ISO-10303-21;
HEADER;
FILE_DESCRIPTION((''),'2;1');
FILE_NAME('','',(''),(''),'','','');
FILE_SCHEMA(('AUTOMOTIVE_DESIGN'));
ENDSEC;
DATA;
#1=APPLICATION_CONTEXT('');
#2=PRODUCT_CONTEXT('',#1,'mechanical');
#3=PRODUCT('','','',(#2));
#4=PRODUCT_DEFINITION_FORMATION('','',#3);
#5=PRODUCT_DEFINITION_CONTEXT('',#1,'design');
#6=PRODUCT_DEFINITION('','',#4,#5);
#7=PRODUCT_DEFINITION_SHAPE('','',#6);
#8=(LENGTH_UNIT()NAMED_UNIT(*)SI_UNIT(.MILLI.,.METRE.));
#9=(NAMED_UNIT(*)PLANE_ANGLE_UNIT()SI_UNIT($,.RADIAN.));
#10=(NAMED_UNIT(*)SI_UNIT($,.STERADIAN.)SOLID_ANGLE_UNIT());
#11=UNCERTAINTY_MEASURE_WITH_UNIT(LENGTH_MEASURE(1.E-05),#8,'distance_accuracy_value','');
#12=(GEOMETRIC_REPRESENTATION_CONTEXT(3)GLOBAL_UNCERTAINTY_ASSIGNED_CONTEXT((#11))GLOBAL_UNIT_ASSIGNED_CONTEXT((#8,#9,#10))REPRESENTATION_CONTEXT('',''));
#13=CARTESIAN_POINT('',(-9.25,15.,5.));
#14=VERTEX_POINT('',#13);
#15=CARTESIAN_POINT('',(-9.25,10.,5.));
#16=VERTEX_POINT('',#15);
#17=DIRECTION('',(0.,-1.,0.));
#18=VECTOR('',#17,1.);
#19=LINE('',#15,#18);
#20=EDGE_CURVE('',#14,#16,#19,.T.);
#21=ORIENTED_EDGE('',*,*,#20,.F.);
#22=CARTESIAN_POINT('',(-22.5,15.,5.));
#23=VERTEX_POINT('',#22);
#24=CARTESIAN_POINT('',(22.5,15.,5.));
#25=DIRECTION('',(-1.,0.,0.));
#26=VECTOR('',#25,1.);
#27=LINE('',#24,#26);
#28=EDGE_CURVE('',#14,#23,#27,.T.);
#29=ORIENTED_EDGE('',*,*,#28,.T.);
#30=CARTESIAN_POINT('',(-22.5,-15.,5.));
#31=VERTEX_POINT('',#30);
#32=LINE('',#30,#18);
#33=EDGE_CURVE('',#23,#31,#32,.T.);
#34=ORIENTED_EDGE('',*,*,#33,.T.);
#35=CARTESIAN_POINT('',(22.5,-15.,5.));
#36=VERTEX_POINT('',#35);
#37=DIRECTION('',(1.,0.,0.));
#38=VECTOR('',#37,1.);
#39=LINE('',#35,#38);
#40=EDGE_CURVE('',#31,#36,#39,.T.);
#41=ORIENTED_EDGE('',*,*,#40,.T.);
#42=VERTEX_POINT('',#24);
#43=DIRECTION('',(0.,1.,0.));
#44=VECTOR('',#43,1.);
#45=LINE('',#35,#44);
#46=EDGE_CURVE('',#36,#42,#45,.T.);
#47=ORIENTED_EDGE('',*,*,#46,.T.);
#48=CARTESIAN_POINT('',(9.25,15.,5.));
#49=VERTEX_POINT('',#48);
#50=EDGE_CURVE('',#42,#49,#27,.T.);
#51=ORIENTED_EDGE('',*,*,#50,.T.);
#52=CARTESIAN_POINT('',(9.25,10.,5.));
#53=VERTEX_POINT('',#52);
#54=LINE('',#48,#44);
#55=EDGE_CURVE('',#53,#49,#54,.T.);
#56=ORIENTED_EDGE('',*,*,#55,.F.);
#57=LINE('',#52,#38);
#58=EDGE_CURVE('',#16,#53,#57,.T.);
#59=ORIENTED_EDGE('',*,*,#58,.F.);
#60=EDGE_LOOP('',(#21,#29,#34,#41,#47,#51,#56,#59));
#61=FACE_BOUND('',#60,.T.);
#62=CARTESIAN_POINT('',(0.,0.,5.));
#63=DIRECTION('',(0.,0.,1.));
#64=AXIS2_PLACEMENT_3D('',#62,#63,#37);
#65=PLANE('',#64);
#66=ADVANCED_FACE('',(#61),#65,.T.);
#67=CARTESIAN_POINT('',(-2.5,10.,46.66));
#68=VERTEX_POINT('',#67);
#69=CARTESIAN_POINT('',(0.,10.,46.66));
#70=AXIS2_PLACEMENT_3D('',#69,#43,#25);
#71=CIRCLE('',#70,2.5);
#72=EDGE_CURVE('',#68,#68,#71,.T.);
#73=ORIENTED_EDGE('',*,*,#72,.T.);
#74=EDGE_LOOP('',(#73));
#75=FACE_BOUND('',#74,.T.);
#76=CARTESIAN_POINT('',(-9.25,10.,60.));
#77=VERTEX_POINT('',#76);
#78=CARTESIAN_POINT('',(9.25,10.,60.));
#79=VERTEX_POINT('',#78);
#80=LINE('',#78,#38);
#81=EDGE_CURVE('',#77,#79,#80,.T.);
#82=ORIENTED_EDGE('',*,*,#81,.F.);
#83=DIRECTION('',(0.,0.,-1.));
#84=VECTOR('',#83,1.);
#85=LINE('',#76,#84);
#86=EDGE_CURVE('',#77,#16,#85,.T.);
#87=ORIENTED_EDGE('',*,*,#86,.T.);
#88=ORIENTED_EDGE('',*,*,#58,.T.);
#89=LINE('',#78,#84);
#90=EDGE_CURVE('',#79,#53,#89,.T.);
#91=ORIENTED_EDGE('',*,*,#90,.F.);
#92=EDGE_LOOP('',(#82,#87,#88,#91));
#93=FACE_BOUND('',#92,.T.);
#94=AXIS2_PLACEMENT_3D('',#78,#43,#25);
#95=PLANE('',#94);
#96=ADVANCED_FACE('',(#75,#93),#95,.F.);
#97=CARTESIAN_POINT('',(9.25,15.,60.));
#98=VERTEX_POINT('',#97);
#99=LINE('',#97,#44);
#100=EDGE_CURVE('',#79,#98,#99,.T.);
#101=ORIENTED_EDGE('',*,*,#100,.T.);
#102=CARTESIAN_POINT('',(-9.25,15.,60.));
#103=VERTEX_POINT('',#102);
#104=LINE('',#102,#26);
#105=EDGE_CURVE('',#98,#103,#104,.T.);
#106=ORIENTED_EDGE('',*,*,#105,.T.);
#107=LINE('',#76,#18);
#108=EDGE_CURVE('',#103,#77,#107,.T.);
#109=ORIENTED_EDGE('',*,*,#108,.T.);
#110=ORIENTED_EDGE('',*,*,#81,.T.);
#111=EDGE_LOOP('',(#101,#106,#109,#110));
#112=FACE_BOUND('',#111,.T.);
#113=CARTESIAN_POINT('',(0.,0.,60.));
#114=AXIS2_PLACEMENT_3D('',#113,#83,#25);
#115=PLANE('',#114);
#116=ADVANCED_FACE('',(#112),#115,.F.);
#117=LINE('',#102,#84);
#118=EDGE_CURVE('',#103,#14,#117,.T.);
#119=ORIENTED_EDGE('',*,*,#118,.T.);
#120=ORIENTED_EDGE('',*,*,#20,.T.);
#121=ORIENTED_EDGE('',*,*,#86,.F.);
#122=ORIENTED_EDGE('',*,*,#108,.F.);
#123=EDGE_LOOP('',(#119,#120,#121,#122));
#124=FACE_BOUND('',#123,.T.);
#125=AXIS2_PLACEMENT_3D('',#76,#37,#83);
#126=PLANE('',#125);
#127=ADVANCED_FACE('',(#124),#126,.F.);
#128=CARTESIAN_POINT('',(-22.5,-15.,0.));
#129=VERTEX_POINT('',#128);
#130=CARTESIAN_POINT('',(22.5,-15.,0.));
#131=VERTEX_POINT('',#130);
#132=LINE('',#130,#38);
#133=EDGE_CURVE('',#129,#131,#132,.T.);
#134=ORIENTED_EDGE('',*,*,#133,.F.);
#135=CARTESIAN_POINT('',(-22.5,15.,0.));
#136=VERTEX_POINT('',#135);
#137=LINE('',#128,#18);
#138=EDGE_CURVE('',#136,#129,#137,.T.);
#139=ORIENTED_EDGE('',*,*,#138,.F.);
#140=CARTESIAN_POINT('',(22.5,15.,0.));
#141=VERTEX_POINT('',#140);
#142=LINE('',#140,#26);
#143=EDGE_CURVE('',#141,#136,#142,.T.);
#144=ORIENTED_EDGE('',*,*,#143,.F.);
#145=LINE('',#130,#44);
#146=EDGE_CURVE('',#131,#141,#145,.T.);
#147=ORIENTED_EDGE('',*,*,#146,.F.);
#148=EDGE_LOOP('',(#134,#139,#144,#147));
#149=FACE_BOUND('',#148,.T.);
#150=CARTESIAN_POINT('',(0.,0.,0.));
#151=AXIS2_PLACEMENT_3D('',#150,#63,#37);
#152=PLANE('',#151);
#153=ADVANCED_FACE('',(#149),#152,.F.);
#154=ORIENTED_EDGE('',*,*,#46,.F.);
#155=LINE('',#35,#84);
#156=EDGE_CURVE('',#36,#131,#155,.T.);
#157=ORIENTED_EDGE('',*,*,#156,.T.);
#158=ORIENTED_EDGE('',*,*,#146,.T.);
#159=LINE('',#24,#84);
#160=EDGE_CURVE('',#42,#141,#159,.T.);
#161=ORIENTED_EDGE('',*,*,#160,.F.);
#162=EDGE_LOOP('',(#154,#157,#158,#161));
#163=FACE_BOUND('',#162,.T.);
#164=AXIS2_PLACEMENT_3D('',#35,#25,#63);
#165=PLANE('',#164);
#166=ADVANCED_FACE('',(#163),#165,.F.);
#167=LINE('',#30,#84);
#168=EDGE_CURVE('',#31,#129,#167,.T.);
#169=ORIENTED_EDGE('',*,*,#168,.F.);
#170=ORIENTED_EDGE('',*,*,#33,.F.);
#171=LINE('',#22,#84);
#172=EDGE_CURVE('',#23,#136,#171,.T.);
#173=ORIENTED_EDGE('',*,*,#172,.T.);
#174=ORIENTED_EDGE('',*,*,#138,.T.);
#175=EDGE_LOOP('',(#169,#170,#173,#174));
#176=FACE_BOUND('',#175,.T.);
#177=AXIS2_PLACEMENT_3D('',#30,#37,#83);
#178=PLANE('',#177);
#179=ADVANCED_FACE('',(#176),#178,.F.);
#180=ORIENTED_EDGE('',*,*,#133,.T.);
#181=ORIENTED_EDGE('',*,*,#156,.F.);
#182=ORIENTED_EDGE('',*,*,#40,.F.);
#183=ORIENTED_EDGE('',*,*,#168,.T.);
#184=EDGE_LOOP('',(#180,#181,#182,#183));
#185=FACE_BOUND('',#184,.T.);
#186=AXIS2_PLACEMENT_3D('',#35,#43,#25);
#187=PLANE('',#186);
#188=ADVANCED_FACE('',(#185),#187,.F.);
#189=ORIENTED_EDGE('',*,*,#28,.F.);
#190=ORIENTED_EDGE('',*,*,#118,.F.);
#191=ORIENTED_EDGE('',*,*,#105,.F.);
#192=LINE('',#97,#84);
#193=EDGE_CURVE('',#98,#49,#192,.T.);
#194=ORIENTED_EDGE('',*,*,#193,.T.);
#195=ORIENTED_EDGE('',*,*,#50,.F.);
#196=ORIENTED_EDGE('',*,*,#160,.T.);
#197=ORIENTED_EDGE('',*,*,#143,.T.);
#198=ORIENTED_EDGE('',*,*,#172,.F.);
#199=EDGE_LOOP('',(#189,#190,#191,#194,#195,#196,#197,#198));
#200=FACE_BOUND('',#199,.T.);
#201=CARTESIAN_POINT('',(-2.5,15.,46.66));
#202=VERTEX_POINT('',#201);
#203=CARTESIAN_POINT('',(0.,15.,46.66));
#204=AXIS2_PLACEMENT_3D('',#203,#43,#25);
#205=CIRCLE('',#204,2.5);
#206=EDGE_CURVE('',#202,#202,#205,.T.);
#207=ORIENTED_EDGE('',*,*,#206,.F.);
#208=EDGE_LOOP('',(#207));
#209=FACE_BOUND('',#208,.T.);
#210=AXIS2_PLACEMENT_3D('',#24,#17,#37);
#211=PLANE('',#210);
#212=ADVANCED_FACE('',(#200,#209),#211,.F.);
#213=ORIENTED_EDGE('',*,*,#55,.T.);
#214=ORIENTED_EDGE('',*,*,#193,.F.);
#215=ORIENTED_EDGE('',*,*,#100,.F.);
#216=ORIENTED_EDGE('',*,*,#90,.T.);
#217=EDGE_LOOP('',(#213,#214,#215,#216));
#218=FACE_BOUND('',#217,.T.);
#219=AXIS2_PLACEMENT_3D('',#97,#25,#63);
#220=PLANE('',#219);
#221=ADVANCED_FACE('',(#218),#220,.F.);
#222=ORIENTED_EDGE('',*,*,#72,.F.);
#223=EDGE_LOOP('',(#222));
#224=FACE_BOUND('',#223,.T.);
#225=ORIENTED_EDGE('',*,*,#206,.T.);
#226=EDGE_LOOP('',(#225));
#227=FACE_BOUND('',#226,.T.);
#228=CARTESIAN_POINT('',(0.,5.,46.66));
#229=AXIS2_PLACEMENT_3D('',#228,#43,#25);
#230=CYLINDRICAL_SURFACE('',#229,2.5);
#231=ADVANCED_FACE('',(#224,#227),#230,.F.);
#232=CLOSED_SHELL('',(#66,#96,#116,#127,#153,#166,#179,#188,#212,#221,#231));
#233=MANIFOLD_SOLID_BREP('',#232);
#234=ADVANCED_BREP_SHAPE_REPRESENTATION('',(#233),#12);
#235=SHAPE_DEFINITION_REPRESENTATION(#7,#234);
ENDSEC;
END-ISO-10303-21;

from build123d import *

# Parameters (mm, degrees)
SKETCH1_W           = 45
SKETCH1_H           = 30
BOSS_EXTRUDE1_DEPTH = 5
SKETCH2_W           = 18.5
SKETCH2_H           = 5
BOSS_EXTRUDE2_DEPTH = 55
SKETCH3_R           = 2.5
CUT_EXTRUDE1_DEPTH  = 10


with BuildPart() as part:
    # Sketch1 → Boss-Extrude1 (new body)
    with BuildSketch(Plane.XY):
        Rectangle(SKETCH1_W, SKETCH1_H)
    extrude(amount=BOSS_EXTRUDE1_DEPTH)

    # Sketch2 → Boss-Extrude2 (add)
    with BuildSketch(Plane.XY.offset(5)):
        with Locations((0, 12.5)):
            Rectangle(SKETCH2_W, SKETCH2_H)
    extrude(amount=BOSS_EXTRUDE2_DEPTH)

    # Sketch3 → Cut-Extrude1 (cut)
    with BuildSketch(Plane(origin=(0, 15, 0), x_dir=(1, 0, 0), z_dir=(0, 1, 0))):
        with Locations(Location((0, -46.66, 0), (0, 0, 180))):
            Circle(SKETCH3_R)
    extrude(amount=-CUT_EXTRUDE1_DEPTH, mode=Mode.SUBTRACT)


solid = part.part
